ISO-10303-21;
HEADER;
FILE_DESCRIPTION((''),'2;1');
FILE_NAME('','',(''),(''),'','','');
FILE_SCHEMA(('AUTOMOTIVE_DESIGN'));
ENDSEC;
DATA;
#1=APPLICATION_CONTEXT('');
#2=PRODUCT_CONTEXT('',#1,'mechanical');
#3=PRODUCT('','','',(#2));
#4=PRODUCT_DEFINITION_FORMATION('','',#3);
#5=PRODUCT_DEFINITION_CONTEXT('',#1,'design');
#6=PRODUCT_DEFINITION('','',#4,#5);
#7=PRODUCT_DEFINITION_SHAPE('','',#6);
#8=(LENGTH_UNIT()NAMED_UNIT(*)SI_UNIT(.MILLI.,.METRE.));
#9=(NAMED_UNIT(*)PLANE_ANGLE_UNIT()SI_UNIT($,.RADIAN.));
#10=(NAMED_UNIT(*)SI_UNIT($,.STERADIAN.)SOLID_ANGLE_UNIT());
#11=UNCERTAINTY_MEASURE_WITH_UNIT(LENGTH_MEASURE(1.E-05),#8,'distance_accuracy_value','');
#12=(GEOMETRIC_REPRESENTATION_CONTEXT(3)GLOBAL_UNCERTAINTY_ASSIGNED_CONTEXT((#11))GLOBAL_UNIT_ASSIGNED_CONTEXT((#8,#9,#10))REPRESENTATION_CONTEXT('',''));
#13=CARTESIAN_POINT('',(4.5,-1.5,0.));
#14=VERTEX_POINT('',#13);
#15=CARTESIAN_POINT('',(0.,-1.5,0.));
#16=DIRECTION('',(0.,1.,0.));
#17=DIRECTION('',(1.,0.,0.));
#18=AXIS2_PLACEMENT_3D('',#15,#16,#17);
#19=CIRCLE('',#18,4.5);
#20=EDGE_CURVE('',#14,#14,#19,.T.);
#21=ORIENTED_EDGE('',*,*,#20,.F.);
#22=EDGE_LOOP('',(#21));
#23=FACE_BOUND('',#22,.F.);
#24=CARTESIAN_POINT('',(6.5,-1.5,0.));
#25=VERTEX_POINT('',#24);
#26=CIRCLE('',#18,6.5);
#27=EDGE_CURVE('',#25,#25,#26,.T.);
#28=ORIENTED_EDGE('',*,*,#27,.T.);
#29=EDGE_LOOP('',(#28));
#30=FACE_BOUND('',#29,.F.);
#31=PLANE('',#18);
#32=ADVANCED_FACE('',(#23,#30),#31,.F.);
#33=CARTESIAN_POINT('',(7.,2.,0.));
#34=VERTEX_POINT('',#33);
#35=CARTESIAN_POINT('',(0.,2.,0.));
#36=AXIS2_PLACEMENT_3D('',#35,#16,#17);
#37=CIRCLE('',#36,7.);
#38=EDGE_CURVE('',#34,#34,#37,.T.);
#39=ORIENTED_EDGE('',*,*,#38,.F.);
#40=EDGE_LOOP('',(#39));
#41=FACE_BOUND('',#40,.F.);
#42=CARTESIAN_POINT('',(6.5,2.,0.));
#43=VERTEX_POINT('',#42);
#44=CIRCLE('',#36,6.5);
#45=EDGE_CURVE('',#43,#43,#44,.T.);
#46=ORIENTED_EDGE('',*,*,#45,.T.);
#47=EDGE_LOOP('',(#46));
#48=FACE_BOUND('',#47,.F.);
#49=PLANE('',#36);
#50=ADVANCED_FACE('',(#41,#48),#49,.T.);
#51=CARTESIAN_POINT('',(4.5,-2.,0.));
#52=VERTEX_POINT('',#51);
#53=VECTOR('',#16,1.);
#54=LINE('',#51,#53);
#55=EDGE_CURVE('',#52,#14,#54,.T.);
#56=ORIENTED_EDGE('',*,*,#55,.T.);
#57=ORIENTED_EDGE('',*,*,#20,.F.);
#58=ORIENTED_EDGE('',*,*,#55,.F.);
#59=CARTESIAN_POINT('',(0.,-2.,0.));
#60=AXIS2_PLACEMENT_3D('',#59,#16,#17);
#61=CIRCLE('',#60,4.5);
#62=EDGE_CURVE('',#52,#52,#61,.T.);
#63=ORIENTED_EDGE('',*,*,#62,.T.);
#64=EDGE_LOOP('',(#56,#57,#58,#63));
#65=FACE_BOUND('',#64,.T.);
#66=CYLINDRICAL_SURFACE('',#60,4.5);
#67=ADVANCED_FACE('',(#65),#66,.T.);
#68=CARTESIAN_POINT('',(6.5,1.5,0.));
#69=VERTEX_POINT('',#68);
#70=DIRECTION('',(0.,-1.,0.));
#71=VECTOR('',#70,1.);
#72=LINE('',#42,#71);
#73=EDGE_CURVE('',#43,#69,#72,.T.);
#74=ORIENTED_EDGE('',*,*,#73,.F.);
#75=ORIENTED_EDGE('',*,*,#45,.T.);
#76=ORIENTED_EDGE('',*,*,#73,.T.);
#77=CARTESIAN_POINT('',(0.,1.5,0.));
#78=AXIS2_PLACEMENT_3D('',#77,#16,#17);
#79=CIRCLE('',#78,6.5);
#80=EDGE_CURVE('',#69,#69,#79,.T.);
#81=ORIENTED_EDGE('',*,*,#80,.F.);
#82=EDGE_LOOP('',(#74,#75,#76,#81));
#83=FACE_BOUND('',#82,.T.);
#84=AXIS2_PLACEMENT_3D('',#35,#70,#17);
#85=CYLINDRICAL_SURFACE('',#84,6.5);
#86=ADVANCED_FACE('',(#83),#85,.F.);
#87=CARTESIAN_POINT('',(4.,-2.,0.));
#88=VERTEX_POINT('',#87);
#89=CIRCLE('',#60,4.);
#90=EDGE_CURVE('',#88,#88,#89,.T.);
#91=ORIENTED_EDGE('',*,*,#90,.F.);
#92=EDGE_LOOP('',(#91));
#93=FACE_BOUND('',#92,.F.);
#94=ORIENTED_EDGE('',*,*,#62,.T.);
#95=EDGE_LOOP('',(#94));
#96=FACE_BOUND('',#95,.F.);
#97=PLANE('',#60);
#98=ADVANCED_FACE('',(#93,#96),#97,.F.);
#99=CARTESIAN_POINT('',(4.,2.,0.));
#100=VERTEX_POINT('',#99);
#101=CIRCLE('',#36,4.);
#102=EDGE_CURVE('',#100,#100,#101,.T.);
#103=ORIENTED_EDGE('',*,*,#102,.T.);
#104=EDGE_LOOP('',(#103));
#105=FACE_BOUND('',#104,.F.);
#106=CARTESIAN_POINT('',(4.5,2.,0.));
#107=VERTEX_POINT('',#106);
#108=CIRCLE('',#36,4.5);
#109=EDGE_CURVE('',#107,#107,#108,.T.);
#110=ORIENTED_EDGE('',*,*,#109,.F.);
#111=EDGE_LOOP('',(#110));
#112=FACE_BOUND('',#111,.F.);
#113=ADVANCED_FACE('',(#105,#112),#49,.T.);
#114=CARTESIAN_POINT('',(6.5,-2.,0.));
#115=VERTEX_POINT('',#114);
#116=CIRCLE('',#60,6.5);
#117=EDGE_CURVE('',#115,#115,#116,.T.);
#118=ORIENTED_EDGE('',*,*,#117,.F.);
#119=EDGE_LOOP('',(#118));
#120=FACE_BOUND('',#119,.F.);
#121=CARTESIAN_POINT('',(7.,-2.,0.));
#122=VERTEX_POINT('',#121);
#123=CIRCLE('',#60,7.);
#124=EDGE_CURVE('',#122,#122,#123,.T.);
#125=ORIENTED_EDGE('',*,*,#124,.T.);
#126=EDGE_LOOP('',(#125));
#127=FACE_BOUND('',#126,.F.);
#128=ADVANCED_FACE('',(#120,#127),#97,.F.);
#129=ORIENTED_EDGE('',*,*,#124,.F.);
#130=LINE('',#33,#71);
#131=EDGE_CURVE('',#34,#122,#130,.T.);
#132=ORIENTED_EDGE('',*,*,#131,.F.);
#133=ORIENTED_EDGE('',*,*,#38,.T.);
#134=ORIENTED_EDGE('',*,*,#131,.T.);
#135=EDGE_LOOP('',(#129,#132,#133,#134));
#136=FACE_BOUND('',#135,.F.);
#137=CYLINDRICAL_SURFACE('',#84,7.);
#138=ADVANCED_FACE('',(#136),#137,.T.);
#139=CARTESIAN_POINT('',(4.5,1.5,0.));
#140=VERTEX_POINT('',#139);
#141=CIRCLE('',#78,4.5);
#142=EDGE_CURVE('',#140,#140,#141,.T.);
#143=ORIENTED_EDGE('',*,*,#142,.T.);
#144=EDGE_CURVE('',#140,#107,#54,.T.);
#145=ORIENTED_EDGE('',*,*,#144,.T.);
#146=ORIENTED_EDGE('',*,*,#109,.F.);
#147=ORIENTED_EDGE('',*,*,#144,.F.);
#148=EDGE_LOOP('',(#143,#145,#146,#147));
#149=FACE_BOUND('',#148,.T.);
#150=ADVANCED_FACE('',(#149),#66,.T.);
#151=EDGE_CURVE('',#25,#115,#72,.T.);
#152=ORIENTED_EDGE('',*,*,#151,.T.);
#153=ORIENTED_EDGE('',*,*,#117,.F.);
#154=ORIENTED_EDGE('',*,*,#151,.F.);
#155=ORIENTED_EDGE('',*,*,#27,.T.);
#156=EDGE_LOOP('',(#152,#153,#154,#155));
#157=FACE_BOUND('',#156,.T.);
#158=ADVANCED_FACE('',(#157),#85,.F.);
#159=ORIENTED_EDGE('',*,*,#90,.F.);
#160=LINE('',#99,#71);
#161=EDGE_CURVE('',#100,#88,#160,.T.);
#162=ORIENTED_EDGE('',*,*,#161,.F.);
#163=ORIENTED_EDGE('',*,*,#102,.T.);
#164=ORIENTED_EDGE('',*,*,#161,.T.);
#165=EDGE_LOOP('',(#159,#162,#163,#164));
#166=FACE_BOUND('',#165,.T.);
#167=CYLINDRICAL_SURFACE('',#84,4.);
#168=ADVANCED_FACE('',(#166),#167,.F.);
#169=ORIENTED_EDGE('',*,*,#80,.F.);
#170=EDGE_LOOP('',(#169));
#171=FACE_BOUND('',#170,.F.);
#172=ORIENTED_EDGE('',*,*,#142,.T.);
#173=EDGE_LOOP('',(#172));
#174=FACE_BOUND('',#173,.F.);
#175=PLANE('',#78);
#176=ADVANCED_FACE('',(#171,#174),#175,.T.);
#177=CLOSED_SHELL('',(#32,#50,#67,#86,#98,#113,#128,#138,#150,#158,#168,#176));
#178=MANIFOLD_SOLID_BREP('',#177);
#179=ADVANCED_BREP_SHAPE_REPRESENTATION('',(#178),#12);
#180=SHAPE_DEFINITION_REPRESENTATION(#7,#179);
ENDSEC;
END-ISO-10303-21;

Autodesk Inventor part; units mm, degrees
ref_plane "YZ Plane" through (0, 0, 0) normal (1, 0, 0) x (0, 1, 0)
ref_plane "XZ Plane" through (0, 0, 0) normal (0, 1, 0) x (-1, 0, 0)
ref_plane "XY Plane" through (0, 0, 0) normal (0, 0, 1) x (1, 0, 0)
sketch "Эскиз1" plane through (0, 0, 0) normal (0, 0, 1) x (1, 0, 0)
  line L0 (7, -2) -> (-7, -2)
  line L1 (-7, -2) -> (-7, 2)
  line L2 (-7, 2) -> (7, 2)
  line L3 (7, 2) -> (7, -2)
  line L4 (7, -2) -> (-7, 2) construction
  line L5 (-7, -2) -> (7, 2) construction
  line L6 (4, -2) -> (-4, -2)
  line L7 (-4, -2) -> (-4, 2)
  line L8 (-4, 2) -> (4, 2)
  line L9 (4, 2) -> (4, -2)
  line L10 (4, -2) -> (-4, 2) construction
  line L11 (-4, -2) -> (4, 2) construction
  line L12 (6.5, -1.5) -> (4.5, -1.5)
  line L13 (4.5, -2) -> (4.5, 2)
  line L14 (4.5, 1.5) -> (6.5, 1.5)
  line L15 (6.5, 2) -> (6.5, -2)
  line L16 (6.5, -1.5) -> (4.5, 1.5) construction
  line L17 (4.5, -1.5) -> (6.5, 1.5) construction
  line L18 (0, -2) -> (0, 2) construction
  point P0 (0, 0)
  point P1 (5.5, 0)
  dimension "d1" = 14
  dimension "d2" = 8
  dimension "d3" = 4
  dimension "d4" = 0.5
  dimension "d5" = 0.5
  dimension "d6" = 0.5
  dimension "d7" = 0.5
revolve "Вращение1" add sketch "Эскиз1" angle 360 about axis through (0, -2, 0) along (0, 1, 0) contours L0 L15 L2 L3 | L0 L9 L2 L13 | L12 L13 L14 L15
equation "\"d4\" = d6"
equation "\"d6\" = d7"
equation "\"d7\" = d5"
properties part number "Подшипник 8х14х4"
